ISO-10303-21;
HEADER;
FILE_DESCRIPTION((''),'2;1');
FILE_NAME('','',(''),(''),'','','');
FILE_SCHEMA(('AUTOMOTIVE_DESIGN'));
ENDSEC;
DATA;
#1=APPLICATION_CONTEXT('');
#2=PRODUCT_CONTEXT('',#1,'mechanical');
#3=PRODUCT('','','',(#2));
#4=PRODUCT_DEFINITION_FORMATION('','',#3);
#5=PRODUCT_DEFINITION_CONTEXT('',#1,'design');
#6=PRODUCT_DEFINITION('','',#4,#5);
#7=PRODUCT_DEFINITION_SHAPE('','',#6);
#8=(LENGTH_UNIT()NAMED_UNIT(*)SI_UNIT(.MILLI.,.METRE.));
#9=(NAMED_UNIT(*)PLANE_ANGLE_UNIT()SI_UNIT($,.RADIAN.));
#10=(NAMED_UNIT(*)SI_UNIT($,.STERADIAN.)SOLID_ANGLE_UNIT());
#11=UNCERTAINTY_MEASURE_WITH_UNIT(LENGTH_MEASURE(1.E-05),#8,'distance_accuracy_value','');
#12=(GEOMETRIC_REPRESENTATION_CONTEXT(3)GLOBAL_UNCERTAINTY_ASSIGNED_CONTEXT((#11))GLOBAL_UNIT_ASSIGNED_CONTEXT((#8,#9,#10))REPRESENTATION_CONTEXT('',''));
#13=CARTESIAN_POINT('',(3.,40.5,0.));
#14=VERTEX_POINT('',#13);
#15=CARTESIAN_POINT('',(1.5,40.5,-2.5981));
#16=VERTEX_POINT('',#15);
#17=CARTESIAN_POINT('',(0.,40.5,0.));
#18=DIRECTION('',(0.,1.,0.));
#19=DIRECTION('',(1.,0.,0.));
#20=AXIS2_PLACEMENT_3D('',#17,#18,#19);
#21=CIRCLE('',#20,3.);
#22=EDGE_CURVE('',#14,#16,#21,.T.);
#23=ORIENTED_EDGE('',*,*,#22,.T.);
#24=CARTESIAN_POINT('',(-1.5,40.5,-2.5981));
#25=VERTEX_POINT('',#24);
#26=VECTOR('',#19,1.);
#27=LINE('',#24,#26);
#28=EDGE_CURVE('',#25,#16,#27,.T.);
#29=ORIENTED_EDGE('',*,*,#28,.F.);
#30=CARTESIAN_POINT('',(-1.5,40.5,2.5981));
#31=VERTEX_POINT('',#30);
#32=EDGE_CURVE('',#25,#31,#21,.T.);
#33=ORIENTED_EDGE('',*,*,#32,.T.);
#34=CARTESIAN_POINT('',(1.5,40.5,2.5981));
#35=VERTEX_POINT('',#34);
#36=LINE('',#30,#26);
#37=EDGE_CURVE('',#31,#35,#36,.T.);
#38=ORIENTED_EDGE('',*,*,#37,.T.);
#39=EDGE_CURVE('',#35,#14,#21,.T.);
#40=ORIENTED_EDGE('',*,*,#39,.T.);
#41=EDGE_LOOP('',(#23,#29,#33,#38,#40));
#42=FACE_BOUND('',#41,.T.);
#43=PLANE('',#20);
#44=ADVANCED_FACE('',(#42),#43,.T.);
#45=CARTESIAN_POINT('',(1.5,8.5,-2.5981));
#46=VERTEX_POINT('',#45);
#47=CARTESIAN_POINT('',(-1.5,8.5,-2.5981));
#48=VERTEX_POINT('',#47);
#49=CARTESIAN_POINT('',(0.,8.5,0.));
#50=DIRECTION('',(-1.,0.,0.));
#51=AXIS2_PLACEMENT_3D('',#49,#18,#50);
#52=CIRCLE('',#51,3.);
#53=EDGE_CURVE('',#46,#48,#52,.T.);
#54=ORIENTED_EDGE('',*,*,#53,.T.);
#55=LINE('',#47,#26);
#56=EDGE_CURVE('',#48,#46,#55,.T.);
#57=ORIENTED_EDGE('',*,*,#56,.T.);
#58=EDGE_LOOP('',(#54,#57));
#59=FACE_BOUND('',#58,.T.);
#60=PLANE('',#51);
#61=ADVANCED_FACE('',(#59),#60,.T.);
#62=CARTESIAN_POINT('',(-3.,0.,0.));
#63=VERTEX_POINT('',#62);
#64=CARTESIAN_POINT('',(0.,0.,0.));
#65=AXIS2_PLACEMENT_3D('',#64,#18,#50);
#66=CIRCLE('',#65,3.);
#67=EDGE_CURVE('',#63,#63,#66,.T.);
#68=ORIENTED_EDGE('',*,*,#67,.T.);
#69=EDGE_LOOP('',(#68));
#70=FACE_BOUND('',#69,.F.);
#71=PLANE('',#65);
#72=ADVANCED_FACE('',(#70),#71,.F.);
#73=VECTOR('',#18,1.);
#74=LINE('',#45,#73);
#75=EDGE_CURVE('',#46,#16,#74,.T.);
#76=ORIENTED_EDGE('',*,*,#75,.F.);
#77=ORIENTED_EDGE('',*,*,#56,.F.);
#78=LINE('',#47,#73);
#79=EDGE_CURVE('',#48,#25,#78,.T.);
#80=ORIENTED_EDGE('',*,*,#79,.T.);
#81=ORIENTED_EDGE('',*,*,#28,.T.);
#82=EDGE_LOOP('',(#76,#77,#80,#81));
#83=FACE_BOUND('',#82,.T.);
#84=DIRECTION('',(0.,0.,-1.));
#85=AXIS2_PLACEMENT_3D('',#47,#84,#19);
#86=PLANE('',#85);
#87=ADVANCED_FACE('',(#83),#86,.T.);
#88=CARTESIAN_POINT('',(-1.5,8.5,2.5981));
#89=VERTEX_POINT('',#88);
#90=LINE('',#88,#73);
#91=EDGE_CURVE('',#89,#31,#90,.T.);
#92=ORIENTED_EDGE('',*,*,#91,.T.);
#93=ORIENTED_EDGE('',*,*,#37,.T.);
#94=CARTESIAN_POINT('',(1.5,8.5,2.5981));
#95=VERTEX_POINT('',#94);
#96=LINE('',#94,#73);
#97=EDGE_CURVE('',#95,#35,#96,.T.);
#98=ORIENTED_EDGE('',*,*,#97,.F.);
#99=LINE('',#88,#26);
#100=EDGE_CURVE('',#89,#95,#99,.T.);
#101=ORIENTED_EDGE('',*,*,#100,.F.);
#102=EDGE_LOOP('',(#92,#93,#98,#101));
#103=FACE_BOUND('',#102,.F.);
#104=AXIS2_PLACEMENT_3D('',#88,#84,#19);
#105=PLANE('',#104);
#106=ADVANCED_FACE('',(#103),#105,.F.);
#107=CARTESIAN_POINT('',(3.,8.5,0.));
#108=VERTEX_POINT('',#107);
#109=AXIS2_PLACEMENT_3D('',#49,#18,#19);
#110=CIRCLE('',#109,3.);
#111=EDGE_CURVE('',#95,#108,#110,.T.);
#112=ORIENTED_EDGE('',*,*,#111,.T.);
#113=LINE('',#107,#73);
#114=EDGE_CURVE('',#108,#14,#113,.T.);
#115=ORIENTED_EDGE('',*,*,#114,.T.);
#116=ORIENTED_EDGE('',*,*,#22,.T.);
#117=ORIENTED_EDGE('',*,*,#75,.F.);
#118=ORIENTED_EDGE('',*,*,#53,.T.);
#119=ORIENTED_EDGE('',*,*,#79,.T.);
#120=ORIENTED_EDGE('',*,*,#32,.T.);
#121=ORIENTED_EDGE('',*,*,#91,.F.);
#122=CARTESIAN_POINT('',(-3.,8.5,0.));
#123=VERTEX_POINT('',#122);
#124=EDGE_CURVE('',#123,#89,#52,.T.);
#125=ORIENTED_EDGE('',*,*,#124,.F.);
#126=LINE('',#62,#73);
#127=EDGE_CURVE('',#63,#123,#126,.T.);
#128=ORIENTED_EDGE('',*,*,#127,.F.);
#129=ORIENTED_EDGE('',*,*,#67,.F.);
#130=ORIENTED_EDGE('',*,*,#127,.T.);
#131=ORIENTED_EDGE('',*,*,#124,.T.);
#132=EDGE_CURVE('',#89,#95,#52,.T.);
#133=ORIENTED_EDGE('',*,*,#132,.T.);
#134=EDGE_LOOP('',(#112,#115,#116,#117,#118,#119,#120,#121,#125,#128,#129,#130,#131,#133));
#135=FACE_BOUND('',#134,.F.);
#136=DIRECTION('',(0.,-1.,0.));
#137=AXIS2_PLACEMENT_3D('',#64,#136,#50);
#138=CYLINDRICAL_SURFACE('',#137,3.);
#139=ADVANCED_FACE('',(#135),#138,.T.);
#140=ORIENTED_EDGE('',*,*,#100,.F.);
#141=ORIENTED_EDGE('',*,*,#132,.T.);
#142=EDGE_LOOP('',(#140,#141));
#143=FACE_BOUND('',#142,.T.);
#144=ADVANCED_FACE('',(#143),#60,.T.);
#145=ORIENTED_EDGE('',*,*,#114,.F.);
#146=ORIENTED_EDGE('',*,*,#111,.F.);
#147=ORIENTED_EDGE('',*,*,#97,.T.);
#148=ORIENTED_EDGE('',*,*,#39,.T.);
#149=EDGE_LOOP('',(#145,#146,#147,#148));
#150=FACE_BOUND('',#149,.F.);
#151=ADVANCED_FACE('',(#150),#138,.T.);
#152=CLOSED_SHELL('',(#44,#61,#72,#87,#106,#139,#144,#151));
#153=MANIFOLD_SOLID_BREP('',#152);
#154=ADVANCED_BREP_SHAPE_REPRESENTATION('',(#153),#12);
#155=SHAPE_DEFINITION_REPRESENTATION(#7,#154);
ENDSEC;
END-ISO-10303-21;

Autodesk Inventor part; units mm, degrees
ref_plane "YZ Plane" through (0, 0, 0) normal (1, 0, 0) x (0, 1, 0)
ref_plane "XZ Plane" through (0, 0, 0) normal (0, 1, 0) x (-1, 0, 0)
ref_plane "XY Plane" through (0, 0, 0) normal (0, 0, 1) x (1, 0, 0)
sketch "Sketch1" plane through (0, 0, 0) normal (0, 1, 0) x (-1, 0, 0)
  circle A0 centre (0, 0) radius 3
  dimension "d0" = 6
extrude "Extrusion1" add sketch "Sketch1" along normal blind 8.5
sketch "Sketch2" plane through (0, 8.5, 0) normal (0, 1, 0) x (1, 0, 0)
  circle A0 centre (0, 0) radius 3 projected
  circle A1 centre (0, 0) radius 3 projected
  line L0 (-1.5, 2.5981) -> (1.5, 2.5981)
  line L1 (-1.5, -2.5981) -> (1.5, -2.5981)
  arc A2 (-1.5, 2.5981) -> (-1.5, -2.5981) centre (0, 0) ccw
  arc A3 (1.5, -2.5981) -> (1.5, 2.5981) centre (0, 0) ccw
  point P0 (1.5, -2.5981)
  dimension "d3" = 3
extrude "Extrusion2" add sketch "Sketch2" along normal blind 32 contours A0 L1 L0
properties part number "Stang"
